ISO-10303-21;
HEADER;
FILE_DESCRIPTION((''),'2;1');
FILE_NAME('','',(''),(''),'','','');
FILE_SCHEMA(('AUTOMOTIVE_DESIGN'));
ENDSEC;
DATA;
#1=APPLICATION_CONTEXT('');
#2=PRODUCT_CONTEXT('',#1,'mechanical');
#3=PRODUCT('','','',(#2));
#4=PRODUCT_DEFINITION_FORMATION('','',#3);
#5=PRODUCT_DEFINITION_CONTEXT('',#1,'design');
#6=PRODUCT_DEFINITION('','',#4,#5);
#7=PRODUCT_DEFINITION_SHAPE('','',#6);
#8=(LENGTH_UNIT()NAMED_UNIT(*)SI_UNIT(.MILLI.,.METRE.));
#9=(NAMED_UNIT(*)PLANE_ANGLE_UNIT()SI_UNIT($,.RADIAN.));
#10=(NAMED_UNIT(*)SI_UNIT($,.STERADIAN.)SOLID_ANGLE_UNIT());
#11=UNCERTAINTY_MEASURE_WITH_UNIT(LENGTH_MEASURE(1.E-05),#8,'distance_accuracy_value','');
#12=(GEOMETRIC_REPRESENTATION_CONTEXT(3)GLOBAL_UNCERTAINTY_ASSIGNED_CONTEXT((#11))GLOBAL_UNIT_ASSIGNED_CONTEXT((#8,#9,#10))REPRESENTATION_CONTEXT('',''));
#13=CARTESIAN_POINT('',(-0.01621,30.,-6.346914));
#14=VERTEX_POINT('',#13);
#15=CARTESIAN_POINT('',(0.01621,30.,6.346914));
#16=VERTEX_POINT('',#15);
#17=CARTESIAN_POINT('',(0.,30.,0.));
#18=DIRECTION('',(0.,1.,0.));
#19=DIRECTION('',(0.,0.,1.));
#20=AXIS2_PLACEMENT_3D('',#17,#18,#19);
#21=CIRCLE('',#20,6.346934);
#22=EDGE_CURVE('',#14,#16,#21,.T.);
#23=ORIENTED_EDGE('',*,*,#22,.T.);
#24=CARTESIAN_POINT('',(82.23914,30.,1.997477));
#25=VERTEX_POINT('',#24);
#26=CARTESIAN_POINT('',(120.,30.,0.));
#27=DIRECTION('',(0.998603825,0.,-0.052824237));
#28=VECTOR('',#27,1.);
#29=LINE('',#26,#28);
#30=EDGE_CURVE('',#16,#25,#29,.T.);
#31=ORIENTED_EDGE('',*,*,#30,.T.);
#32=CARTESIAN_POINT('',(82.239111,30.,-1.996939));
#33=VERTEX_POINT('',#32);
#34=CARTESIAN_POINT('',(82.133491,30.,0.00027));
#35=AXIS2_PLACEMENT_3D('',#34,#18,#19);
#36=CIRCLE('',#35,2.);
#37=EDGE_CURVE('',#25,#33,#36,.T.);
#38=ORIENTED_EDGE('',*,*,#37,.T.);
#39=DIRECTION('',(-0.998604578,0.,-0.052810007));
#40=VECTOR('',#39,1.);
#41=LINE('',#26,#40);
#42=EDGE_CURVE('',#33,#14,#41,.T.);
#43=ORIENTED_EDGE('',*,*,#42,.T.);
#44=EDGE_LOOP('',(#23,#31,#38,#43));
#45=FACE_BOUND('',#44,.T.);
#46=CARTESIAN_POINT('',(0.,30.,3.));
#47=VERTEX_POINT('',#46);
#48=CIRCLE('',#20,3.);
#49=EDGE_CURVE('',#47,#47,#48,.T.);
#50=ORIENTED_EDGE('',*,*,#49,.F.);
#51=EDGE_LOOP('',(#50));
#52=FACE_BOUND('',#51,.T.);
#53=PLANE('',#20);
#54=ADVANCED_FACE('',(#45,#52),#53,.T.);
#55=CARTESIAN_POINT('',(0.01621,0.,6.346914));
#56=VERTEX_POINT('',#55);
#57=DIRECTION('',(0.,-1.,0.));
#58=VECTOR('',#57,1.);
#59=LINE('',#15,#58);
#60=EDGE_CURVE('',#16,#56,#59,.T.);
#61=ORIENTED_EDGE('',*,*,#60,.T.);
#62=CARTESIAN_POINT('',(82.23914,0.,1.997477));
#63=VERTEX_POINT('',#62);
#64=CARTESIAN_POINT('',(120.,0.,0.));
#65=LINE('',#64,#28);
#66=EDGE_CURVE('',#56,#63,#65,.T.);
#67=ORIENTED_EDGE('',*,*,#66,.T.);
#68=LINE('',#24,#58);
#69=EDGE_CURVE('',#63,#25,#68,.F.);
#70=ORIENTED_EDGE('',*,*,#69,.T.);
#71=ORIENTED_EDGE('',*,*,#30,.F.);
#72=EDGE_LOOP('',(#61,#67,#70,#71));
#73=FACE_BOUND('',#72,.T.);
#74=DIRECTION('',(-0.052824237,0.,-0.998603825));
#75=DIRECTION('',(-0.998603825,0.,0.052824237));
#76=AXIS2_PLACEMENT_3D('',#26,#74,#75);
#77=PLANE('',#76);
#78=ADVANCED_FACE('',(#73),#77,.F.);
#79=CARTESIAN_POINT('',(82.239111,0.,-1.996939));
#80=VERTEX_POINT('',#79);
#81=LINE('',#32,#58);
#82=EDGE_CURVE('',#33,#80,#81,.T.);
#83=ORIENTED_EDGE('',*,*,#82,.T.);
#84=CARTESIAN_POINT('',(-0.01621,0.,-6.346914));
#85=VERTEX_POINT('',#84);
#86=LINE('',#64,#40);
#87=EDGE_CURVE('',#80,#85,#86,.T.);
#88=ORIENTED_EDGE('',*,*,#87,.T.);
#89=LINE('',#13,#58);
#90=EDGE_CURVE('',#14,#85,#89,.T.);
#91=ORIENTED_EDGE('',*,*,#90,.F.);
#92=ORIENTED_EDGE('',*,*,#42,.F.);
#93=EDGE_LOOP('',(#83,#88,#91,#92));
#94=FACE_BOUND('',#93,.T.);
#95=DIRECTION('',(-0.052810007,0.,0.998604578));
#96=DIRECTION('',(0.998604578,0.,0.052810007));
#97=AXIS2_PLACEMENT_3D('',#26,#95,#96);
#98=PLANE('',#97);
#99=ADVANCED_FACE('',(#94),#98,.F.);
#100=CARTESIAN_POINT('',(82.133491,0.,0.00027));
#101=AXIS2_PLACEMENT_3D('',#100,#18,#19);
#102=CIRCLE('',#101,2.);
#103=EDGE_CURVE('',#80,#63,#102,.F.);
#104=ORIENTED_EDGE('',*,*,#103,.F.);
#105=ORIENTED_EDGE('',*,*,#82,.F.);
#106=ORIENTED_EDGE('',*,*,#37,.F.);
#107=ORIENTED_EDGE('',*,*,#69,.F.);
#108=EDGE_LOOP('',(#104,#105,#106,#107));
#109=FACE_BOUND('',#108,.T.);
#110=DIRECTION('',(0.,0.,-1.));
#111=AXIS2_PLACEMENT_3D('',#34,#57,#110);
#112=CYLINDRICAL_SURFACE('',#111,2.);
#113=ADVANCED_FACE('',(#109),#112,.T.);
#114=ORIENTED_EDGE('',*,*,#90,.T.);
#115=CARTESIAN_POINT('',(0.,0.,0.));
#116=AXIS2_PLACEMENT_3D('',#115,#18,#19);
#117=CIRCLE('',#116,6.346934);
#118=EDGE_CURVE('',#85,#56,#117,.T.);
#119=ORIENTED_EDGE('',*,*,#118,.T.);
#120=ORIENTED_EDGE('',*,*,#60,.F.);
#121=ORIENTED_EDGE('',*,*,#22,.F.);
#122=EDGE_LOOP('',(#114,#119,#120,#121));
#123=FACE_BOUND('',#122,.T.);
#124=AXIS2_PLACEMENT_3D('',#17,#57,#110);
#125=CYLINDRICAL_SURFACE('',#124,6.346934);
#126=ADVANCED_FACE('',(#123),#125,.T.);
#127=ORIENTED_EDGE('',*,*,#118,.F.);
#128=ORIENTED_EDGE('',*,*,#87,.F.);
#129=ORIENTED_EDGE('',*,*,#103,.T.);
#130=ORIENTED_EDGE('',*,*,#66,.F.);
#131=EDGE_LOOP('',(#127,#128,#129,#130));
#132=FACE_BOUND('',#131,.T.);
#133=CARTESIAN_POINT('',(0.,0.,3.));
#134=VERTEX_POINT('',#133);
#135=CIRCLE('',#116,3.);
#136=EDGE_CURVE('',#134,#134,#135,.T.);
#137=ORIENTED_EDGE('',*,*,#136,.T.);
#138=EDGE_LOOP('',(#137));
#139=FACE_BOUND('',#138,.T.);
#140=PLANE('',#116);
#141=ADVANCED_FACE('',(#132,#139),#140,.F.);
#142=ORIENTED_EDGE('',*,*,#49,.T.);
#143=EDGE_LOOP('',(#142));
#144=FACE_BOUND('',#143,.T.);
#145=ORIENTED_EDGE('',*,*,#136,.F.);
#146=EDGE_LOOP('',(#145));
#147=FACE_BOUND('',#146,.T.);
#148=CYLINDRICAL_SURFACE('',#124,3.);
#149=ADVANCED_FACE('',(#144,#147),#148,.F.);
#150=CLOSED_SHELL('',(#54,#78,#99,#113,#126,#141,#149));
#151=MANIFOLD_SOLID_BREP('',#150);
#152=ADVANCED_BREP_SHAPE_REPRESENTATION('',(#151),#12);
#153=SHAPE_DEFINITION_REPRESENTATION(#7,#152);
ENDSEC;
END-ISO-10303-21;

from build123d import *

# Parameters (mm, degrees)
SKETCH1_R           = 3
BOSS_EXTRUDE1_DEPTH = 30
FILLET1_R           = 2


with BuildPart() as part:
    # Sketch1 → Boss-Extrude1 (new body)
    with BuildSketch(Plane(origin=(0, 0, 0), x_dir=(1, 0, 0), z_dir=(0, 1, 0))):
        with BuildLine():
            Line((120, 0), (-0.016209805, 6.346913517))
            ThreePointArc((-0.016209805, 6.346913517), (-6.346913517, -0.016209805), (0.016209805, -6.346913517))
            Line((0.016209805, -6.346913517), (120, 0))
        make_face()
        with Locations(Location((0, 0, 0), (0, 0, 270))):
            Circle(SKETCH1_R, mode=Mode.SUBTRACT)
    extrude(amount=BOSS_EXTRUDE1_DEPTH)

    # Fillet1
    fillet1_edges = [part.edges().sort_by_distance(p)[0] for p in [
        (120, 15, 0),
    ]]
    fillet(fillet1_edges, radius=FILLET1_R)


solid = part.part
